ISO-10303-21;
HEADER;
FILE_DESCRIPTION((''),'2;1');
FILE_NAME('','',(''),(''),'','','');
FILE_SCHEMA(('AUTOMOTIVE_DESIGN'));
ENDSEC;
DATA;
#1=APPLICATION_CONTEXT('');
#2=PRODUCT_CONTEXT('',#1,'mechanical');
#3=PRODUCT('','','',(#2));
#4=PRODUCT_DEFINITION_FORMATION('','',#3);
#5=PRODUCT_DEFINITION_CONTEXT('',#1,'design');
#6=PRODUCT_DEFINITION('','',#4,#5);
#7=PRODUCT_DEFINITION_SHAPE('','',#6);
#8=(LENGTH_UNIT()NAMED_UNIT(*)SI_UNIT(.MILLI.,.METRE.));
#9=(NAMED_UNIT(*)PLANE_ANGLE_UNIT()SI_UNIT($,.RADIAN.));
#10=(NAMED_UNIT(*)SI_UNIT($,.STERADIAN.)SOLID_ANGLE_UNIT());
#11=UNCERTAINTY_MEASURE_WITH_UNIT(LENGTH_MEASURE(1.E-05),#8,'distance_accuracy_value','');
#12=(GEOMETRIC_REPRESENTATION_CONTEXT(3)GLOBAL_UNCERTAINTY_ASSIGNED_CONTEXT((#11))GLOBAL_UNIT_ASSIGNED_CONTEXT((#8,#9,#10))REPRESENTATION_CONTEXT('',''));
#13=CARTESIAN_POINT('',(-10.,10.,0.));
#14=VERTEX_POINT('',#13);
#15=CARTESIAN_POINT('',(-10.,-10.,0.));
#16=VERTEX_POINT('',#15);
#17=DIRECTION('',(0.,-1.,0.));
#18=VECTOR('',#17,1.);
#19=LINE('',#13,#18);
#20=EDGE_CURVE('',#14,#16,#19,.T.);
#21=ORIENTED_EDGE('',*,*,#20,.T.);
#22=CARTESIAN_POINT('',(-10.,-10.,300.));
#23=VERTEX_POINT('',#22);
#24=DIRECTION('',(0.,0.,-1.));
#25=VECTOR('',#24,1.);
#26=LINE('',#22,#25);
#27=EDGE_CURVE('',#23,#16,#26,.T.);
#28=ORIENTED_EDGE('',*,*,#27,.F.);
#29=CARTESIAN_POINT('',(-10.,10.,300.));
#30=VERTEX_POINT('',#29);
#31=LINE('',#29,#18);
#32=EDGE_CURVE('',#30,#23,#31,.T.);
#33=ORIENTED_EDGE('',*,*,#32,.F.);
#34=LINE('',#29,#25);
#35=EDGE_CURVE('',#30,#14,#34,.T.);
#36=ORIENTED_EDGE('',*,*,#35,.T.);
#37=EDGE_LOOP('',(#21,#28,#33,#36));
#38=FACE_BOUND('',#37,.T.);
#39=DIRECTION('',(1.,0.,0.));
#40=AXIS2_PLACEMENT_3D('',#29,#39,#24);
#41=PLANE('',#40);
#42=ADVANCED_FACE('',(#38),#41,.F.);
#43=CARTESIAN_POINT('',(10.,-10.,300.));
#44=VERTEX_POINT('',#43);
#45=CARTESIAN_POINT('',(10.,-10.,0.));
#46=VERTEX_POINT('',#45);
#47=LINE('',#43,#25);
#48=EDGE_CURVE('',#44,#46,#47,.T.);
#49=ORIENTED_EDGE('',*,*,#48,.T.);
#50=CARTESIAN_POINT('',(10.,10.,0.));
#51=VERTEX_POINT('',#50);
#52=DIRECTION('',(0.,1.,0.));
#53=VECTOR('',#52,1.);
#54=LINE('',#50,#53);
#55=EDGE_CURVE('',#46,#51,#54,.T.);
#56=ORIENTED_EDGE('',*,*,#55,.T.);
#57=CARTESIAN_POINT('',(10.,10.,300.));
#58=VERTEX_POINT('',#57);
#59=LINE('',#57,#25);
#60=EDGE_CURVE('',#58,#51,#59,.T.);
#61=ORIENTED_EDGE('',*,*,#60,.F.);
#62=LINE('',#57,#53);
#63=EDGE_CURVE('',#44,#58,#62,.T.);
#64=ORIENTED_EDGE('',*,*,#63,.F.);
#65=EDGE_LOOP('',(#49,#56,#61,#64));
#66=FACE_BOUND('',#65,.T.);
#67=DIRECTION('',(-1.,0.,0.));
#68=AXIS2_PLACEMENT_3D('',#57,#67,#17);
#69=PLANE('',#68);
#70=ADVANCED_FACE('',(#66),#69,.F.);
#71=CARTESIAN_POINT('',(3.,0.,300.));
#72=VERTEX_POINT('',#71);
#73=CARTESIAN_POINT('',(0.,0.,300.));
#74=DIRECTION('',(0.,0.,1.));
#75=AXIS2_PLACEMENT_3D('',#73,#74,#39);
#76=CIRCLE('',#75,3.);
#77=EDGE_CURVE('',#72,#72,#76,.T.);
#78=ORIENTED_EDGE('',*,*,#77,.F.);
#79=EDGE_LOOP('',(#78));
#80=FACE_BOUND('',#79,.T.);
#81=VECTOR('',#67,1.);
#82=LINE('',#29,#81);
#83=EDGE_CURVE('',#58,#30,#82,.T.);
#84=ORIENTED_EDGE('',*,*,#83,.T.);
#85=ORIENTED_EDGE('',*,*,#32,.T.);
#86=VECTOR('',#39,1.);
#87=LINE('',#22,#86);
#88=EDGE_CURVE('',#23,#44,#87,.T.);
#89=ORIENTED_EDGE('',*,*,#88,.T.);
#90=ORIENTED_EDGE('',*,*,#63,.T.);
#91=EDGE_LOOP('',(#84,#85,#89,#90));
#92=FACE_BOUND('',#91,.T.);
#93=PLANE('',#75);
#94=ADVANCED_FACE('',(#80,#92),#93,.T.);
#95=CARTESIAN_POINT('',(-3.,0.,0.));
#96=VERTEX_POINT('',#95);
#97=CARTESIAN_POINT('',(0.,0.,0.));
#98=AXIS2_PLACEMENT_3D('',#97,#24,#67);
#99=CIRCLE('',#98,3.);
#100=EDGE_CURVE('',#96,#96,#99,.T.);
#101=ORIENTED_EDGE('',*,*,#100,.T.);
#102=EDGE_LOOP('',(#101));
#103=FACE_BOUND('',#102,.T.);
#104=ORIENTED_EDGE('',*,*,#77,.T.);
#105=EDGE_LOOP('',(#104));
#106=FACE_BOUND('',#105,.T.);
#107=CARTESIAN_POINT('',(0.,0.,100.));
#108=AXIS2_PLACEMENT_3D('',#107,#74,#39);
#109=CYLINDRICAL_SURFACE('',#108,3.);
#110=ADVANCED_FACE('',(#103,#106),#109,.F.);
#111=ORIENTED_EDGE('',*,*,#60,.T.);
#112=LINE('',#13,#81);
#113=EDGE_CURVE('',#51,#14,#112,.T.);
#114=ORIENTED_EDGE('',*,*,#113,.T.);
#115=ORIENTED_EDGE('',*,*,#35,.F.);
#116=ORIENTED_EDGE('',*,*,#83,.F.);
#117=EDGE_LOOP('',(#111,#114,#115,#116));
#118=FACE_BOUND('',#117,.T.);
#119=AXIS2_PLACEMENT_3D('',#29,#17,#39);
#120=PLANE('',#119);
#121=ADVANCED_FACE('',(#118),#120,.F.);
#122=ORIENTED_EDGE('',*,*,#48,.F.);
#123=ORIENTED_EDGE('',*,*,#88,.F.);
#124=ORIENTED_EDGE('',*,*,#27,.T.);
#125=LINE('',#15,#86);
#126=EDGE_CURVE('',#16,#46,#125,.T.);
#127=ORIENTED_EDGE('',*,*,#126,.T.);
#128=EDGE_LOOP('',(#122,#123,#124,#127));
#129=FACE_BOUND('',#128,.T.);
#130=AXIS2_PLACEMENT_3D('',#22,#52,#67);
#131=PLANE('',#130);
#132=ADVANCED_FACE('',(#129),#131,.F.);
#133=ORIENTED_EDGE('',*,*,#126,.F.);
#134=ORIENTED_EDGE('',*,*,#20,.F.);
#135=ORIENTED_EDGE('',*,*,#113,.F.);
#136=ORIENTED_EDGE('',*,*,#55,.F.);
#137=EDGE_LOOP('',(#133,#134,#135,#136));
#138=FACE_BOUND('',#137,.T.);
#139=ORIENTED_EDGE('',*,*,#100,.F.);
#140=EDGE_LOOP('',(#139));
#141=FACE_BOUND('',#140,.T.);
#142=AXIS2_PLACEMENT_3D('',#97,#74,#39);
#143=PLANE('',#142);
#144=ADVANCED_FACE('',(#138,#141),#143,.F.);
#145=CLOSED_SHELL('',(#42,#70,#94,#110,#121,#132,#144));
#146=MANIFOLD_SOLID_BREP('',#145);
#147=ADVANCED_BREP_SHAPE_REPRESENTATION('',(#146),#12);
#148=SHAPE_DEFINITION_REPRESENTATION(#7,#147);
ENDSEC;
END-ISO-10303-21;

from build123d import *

# Parameters (mm, degrees)
ESQUISSE1_W             = 20
ESQUISSE1_H             = 20
BOSS_EXTRU_1_DEPTH      = 300
ESQUISSE2_R             = 3
ENL_V_MAT_EXTRU_1_DEPTH = 200
ENL_V_START             = -200
ESQUISSE3_R             = 3
ENL_V_MAT_EXTRU_2_DEPTH = 200


with BuildPart() as part:
    # Esquisse1 → Boss.-Extru.1 (new body)
    with BuildSketch(Plane.XY):
        Rectangle(ESQUISSE1_W, ESQUISSE1_H)
    extrude(amount=BOSS_EXTRU_1_DEPTH)

    # Esquisse2 → Enlèv. mat.-Extru.1 (cut)
    with BuildSketch(Plane.XY.offset(300)):
        Circle(ESQUISSE2_R)
    extrude(amount=-ENL_V_MAT_EXTRU_1_DEPTH, mode=Mode.SUBTRACT)

    # Esquisse3 → Enlèv. mat.-Extru.2 (cut)
    with BuildSketch(Plane(origin=(0, 0, 0), x_dir=(-1, 0, 0), z_dir=(0, 0, -1)).offset(ENL_V_START)):
        with Locations(Location((0, 0, 0), (0, 0, 180))):
            Circle(ESQUISSE3_R)
    extrude(amount=ENL_V_MAT_EXTRU_2_DEPTH, mode=Mode.SUBTRACT)


solid = part.part
